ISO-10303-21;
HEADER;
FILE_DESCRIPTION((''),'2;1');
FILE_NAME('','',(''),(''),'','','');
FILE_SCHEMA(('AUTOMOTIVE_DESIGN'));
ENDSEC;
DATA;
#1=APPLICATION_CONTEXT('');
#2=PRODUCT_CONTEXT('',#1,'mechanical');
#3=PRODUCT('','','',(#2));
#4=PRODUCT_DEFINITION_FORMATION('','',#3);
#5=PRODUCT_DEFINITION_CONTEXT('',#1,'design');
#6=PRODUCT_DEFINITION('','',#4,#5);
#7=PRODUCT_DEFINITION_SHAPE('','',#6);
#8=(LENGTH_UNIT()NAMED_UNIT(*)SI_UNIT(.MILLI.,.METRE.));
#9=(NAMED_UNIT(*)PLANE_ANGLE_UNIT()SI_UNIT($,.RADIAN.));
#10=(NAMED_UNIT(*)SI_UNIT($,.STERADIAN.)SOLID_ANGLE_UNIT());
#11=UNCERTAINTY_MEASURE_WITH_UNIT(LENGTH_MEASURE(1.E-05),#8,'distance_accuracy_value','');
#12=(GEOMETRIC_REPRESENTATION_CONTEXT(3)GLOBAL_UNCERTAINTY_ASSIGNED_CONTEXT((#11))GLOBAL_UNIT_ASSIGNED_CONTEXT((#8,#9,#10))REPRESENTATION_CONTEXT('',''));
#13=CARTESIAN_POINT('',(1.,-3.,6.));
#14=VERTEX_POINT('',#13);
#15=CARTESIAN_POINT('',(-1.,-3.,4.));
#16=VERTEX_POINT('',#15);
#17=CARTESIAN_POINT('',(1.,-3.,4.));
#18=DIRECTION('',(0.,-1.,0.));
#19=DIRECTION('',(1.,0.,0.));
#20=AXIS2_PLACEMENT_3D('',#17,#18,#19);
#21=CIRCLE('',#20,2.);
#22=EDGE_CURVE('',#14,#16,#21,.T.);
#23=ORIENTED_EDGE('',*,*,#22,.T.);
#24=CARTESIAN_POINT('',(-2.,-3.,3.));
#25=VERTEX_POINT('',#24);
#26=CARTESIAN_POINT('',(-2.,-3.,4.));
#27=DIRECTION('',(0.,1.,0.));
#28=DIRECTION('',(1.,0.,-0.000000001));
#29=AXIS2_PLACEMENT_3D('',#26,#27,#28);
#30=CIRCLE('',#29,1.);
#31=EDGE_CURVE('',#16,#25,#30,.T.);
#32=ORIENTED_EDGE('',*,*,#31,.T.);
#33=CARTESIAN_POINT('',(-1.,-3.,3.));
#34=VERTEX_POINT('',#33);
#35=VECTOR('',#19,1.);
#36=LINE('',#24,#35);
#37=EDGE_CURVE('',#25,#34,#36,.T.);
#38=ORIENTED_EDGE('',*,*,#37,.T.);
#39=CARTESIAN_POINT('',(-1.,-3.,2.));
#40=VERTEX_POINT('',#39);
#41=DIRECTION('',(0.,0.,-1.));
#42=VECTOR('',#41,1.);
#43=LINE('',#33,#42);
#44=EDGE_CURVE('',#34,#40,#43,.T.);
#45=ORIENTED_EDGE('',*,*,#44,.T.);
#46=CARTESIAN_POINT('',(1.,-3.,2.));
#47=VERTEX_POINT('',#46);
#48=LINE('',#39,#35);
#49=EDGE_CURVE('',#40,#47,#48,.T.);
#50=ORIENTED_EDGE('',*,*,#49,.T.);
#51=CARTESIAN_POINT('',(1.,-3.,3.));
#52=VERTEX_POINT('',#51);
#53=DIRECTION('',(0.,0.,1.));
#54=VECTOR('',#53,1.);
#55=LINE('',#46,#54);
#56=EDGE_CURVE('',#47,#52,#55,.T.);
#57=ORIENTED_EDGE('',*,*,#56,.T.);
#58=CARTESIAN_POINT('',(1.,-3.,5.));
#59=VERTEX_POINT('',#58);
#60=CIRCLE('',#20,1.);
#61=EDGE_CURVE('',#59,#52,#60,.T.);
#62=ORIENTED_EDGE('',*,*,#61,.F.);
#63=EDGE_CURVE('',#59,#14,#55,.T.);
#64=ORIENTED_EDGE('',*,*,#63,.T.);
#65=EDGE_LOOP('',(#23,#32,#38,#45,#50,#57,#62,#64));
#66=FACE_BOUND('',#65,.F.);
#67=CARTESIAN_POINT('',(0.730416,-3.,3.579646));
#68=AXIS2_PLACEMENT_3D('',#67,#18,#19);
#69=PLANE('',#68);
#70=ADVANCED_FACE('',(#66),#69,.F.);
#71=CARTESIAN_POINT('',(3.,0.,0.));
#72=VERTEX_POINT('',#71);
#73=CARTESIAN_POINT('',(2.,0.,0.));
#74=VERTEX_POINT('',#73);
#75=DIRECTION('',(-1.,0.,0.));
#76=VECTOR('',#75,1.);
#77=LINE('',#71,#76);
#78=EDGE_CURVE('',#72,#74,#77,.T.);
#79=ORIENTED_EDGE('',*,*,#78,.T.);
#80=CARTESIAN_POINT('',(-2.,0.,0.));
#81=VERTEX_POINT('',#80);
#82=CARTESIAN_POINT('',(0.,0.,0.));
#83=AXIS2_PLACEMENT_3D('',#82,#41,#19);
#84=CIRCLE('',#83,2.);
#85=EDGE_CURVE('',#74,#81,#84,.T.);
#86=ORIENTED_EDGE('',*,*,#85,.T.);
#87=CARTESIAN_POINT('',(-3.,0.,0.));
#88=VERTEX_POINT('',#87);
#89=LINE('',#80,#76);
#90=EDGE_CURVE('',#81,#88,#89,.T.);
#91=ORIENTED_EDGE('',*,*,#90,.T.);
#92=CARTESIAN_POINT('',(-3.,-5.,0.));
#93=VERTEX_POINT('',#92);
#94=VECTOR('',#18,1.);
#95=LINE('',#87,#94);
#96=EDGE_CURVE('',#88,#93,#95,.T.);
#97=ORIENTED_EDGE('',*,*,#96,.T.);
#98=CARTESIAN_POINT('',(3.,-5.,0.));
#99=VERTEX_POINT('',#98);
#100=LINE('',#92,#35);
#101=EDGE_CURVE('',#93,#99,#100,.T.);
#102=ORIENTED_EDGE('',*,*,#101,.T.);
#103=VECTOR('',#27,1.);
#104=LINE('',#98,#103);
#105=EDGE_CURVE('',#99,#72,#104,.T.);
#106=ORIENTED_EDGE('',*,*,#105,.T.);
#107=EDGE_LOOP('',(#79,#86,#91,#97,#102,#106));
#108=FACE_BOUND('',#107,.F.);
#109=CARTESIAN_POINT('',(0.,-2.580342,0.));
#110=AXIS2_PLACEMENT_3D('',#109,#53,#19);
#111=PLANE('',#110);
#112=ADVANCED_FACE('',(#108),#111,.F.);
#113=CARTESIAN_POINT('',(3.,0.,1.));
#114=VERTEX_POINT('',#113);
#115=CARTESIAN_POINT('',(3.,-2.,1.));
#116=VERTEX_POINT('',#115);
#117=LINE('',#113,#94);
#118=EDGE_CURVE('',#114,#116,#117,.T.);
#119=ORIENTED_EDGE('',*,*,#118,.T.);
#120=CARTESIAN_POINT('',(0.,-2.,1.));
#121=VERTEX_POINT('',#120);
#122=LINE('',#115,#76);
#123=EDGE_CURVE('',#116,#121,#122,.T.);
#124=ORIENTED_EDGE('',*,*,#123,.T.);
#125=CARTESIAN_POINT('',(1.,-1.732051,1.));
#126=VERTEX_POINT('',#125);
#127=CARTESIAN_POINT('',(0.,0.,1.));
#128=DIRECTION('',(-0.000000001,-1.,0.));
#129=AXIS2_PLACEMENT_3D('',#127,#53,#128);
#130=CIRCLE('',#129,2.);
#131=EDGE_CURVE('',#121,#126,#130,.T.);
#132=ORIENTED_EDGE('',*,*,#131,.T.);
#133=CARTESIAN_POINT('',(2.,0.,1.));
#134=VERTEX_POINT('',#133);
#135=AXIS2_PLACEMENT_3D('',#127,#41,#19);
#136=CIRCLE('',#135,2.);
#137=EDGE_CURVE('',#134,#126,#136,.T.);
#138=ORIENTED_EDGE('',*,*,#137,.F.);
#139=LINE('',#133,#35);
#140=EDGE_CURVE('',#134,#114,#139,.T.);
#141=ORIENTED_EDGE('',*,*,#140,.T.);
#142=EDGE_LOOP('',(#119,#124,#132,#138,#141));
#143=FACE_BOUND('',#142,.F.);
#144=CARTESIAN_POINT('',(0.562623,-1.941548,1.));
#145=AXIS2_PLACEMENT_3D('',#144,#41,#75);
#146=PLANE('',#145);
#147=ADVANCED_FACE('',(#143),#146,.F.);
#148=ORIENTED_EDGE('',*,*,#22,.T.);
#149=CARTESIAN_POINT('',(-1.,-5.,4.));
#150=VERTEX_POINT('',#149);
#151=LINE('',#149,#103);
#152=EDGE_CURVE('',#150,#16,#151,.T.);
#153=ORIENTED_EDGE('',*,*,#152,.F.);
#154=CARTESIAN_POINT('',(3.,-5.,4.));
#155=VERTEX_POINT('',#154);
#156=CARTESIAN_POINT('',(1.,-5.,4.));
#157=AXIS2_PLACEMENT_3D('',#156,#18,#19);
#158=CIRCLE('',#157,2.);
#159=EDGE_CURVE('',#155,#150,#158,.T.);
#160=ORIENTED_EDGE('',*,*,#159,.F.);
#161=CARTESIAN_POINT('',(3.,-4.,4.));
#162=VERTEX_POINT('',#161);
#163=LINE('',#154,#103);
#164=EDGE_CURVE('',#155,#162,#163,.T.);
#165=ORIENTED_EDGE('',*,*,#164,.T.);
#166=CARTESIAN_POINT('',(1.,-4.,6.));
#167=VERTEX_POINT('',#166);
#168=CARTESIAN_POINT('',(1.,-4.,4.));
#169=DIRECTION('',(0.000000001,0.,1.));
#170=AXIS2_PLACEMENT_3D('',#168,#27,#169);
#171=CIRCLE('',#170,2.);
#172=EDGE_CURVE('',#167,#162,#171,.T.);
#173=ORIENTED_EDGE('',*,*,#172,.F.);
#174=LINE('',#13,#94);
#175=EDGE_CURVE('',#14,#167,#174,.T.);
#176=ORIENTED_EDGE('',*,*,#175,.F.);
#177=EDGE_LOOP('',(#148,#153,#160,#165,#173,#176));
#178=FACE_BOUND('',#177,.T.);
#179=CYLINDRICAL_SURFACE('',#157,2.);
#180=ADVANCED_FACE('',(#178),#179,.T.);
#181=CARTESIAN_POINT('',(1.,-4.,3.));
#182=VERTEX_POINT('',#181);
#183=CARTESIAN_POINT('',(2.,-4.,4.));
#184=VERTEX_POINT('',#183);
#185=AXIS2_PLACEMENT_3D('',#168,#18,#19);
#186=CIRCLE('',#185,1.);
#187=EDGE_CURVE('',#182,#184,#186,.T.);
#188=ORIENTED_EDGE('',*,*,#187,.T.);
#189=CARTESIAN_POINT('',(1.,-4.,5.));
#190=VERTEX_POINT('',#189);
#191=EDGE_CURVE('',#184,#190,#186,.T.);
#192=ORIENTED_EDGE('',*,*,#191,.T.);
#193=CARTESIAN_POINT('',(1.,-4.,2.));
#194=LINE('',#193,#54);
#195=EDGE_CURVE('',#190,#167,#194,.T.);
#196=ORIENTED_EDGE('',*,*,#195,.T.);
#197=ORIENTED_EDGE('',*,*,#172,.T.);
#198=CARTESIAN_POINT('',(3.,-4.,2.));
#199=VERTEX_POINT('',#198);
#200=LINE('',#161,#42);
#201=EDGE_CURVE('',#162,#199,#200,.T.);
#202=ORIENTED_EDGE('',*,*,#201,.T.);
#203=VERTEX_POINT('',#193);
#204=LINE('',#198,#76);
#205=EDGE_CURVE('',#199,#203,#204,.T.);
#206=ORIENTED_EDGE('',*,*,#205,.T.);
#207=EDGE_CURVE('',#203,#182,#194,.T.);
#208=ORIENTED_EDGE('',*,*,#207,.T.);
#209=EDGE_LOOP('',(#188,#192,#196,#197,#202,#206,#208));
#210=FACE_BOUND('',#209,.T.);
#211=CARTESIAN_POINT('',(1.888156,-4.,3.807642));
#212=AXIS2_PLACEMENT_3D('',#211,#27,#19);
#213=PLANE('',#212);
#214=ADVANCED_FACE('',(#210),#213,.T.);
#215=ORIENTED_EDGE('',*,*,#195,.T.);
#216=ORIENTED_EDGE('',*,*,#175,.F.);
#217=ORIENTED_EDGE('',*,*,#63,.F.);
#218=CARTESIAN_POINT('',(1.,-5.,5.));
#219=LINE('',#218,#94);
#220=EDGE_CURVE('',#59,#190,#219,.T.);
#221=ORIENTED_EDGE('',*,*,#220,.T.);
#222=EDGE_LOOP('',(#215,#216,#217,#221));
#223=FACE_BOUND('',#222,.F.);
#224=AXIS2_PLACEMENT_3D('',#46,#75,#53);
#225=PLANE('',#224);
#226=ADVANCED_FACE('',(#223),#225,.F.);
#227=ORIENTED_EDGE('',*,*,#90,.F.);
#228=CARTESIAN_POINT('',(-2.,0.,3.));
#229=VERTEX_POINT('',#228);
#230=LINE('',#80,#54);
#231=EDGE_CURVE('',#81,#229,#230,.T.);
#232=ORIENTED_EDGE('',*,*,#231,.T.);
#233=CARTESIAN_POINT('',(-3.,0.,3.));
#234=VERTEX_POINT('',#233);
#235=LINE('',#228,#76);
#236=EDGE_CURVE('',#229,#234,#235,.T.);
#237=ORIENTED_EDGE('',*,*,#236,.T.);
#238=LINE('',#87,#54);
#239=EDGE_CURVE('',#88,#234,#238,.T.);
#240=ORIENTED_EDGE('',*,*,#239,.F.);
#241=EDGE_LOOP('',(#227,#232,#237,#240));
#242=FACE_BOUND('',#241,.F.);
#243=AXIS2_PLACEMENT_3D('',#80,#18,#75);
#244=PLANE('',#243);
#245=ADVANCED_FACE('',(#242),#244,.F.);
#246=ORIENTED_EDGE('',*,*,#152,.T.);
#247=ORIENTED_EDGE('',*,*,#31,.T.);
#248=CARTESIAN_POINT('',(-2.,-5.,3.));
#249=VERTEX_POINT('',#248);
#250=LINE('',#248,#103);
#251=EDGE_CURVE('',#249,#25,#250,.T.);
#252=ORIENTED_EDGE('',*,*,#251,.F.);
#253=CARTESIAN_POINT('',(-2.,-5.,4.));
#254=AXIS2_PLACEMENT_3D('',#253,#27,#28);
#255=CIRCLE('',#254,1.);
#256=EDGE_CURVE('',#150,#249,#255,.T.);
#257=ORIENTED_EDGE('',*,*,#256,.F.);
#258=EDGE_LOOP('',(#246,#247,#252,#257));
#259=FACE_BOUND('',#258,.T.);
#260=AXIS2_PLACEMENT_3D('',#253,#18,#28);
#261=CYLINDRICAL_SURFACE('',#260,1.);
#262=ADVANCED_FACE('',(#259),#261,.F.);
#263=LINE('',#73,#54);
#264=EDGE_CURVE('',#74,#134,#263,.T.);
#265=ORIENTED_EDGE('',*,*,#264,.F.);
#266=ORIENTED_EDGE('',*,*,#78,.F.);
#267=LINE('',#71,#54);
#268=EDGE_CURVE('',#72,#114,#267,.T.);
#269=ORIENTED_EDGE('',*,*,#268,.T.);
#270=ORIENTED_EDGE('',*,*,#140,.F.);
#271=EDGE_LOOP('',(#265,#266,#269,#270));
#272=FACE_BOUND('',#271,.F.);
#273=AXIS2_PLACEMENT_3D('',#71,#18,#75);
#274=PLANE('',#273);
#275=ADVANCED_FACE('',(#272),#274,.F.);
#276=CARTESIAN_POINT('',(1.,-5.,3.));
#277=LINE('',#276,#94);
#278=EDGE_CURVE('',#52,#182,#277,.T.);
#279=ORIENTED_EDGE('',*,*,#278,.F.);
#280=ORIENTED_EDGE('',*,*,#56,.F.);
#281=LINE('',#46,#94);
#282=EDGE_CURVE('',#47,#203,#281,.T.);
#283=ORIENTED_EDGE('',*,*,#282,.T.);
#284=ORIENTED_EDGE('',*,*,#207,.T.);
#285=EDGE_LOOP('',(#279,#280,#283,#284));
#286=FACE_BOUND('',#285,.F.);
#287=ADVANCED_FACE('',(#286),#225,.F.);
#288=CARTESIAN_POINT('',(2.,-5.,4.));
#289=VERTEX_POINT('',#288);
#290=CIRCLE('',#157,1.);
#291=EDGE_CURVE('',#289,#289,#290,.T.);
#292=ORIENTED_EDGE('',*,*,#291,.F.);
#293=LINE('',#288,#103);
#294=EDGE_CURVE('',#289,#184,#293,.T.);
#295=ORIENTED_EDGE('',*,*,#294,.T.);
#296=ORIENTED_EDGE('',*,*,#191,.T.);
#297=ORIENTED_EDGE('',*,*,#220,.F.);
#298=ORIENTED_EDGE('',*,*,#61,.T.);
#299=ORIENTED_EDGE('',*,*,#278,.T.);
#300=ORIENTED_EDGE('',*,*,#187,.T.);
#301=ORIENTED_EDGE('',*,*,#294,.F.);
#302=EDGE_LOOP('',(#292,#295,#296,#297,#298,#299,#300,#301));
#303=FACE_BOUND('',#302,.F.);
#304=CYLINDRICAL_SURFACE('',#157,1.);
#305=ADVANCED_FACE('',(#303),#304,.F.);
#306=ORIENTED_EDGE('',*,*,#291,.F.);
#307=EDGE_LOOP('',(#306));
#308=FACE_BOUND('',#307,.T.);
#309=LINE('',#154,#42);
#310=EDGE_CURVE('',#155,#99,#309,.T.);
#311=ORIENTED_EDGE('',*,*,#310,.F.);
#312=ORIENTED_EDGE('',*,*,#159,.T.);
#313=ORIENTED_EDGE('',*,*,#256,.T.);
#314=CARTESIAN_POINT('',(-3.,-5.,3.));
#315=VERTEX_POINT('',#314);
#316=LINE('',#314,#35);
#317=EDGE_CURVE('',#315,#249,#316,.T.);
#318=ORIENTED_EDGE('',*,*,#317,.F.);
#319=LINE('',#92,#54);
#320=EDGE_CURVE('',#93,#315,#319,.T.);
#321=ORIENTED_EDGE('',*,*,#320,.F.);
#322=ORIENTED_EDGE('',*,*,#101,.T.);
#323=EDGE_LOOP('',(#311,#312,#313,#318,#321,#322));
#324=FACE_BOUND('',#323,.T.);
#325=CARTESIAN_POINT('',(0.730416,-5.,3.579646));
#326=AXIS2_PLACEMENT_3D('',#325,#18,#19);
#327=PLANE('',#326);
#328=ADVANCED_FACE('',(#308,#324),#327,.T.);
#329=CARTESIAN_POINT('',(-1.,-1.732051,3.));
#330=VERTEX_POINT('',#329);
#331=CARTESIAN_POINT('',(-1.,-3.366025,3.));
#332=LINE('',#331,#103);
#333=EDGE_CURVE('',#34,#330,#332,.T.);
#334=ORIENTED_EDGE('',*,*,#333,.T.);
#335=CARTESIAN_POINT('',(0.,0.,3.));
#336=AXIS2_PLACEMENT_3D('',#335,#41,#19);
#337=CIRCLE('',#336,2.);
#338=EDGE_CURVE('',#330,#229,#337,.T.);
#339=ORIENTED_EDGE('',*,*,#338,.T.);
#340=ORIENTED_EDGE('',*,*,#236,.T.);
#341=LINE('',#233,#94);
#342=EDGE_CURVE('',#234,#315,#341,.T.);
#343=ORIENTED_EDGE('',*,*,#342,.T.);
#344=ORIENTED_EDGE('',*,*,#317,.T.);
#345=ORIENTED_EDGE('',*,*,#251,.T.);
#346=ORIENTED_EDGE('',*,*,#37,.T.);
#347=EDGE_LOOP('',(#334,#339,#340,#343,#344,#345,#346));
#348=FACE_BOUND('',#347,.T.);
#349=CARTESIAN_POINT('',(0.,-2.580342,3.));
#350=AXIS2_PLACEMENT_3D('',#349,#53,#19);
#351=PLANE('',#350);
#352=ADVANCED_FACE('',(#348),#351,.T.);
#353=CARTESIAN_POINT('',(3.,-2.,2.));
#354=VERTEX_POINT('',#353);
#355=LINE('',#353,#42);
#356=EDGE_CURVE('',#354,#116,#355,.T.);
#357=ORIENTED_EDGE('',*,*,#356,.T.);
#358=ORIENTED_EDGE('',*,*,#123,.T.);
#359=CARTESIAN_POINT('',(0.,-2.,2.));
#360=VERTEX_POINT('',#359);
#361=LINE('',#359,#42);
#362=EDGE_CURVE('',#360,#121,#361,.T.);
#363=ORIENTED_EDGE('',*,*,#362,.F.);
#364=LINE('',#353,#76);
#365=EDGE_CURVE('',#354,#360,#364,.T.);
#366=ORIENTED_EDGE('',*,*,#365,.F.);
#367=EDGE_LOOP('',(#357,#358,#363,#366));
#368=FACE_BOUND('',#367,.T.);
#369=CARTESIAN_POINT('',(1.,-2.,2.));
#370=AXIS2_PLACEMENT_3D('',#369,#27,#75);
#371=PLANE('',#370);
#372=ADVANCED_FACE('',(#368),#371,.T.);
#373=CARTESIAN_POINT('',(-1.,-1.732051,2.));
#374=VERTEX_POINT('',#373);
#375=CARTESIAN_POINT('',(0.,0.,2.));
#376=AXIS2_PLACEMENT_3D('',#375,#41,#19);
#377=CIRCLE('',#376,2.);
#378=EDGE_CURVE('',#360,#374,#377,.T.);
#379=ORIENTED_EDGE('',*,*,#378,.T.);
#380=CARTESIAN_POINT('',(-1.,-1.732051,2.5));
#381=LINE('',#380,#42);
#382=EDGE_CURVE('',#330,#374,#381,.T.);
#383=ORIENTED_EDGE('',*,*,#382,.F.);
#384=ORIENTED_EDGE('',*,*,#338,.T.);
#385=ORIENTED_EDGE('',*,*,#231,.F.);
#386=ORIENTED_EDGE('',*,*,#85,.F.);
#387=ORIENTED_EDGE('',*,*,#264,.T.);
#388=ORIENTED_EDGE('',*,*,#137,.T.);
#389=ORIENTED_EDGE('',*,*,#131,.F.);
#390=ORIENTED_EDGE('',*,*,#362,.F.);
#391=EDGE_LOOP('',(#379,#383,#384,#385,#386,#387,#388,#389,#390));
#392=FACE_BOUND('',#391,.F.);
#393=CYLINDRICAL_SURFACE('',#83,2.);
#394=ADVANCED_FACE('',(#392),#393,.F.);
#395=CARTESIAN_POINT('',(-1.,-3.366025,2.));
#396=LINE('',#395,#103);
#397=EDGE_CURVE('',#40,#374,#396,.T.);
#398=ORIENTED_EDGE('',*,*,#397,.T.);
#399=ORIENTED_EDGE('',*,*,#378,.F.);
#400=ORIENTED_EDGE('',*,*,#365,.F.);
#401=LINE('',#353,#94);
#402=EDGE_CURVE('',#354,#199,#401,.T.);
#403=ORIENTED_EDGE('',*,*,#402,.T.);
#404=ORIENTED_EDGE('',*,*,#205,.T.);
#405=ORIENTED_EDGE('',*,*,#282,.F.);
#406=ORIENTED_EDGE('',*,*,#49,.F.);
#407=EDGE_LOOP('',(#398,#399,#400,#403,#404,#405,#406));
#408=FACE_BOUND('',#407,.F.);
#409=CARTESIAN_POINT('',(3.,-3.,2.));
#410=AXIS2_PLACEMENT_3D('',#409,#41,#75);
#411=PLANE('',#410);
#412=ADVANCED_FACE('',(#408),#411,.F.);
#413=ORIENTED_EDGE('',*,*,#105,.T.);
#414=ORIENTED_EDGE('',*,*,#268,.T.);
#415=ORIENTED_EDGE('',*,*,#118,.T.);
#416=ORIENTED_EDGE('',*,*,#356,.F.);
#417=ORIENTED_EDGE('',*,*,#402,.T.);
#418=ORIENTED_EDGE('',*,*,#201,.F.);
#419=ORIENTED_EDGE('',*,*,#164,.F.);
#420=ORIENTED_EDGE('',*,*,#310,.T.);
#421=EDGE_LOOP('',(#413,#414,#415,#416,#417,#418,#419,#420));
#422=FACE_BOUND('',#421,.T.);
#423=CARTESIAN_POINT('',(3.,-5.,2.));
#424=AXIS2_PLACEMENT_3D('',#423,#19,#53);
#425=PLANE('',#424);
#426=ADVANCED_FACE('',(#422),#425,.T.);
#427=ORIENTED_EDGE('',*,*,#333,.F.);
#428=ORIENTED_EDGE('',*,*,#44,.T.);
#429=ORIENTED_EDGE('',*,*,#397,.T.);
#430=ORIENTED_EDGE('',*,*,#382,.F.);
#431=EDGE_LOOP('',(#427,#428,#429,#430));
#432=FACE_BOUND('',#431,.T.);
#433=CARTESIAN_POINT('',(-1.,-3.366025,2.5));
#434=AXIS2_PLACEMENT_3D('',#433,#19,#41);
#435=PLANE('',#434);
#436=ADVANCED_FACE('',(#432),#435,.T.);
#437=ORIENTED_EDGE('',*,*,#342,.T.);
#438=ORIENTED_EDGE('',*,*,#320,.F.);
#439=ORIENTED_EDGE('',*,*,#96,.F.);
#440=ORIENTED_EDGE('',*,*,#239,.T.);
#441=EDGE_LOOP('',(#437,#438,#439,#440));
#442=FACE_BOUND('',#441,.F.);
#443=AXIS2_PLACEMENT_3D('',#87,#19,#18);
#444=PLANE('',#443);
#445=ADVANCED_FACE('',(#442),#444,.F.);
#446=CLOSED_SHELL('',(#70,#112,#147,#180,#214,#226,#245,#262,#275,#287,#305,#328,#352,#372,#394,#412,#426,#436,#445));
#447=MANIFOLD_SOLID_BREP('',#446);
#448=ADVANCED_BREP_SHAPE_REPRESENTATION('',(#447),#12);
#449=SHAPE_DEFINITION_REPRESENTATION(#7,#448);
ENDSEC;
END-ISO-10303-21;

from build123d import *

# Parameters (mm, degrees)
BOSS_EXTRUDE1_DEPTH = 3
SKETCH2_W           = 2
SKETCH2_H           = 2
CUT_EXTRUDE14_DEPTH = 2
SKETCH6_W           = 1
SKETCH6_H           = 3.267949192
CUT_EXTRUDE16_DEPTH = 4
CUT_EXTRUDE17_DEPTH = 1
SKETCH9_R           = 1
BOSS_EXTRUDE2_DEPTH = 2
CUT_EXTRUDE18_DEPTH = 1


with BuildPart() as part:
    # Sketch1 → Boss-Extrude1 (new body)
    with BuildSketch(Plane.XY):
        with BuildLine():
            Line((-2, 0), (-3, 0))
            Line((-3, 0), (-3, -5))
            Line((-3, -5), (3, -5))
            Line((3, -5), (3, 0))
            Line((3, 0), (2, 0))
            ThreePointArc((2, 0), (0, -2), (-2, 0))
        make_face()
    extrude(amount=BOSS_EXTRUDE1_DEPTH)

    # Sketch2 → Cut-Extrude14 (cut)
    with BuildSketch(Plane(origin=(0, 0, 0), x_dir=(1, 0, 0), z_dir=(0, 1, 0))):
        with Locations((2, -2)):
            Rectangle(SKETCH2_W, SKETCH2_H)
    extrude(amount=-CUT_EXTRUDE14_DEPTH, mode=Mode.SUBTRACT)

    # Sketch6 → Cut-Extrude16 (cut)
    with BuildSketch(Plane(origin=(3, 0, 0), x_dir=(0, 0, -1), z_dir=(1, 0, 0))):
        with Locations((-2.5, -3.366025404)):
            Rectangle(SKETCH6_W, SKETCH6_H)
    extrude(amount=-CUT_EXTRUDE16_DEPTH, mode=Mode.SUBTRACT)

    # Sketch8 → Cut-Extrude17 (cut)
    with BuildSketch(Plane.XY.offset(2)):
        with BuildLine():
            Line((1, -2), (0, -2))
            ThreePointArc((0, -2), (0.51763809, -1.931851653), (1, -1.732050808))
            Line((1, -1.732050808), (1, -2))
        make_face()
    extrude(amount=-CUT_EXTRUDE17_DEPTH, mode=Mode.SUBTRACT)

    # Sketch9 → Boss-Extrude2 (add)
    with BuildSketch(Plane.XZ.offset(5)):
        with BuildLine():
            Line((3, 2), (3, 4))
            ThreePointArc((3, 4), (1, 6), (-1, 4))
            ThreePointArc((-1, 4), (-1.292893219, 3.292893219), (-2, 3))
            Line((-2, 3), (-1, 3))
            Line((-1, 3), (-1, 2))
            Line((-1, 2), (3, 2))
        make_face()
        with Locations((1, 4)):
            Circle(SKETCH9_R, mode=Mode.SUBTRACT)
    extrude(amount=-BOSS_EXTRUDE2_DEPTH)

    # Sketch10 → Cut-Extrude18 (cut)
    with BuildSketch(Plane(origin=(0, -3, 0), x_dir=(1, 0, 0), z_dir=(0, 1, 0))):
        with BuildLine():
            Line((1, -2), (1, -6))
            ThreePointArc((1, -6), (2.414213562, -5.414213562), (3, -4))
            Line((3, -4), (3, -2))
            Line((3, -2), (1, -2))
        make_face()
    extrude(amount=-CUT_EXTRUDE18_DEPTH, mode=Mode.SUBTRACT)


solid = part.part
